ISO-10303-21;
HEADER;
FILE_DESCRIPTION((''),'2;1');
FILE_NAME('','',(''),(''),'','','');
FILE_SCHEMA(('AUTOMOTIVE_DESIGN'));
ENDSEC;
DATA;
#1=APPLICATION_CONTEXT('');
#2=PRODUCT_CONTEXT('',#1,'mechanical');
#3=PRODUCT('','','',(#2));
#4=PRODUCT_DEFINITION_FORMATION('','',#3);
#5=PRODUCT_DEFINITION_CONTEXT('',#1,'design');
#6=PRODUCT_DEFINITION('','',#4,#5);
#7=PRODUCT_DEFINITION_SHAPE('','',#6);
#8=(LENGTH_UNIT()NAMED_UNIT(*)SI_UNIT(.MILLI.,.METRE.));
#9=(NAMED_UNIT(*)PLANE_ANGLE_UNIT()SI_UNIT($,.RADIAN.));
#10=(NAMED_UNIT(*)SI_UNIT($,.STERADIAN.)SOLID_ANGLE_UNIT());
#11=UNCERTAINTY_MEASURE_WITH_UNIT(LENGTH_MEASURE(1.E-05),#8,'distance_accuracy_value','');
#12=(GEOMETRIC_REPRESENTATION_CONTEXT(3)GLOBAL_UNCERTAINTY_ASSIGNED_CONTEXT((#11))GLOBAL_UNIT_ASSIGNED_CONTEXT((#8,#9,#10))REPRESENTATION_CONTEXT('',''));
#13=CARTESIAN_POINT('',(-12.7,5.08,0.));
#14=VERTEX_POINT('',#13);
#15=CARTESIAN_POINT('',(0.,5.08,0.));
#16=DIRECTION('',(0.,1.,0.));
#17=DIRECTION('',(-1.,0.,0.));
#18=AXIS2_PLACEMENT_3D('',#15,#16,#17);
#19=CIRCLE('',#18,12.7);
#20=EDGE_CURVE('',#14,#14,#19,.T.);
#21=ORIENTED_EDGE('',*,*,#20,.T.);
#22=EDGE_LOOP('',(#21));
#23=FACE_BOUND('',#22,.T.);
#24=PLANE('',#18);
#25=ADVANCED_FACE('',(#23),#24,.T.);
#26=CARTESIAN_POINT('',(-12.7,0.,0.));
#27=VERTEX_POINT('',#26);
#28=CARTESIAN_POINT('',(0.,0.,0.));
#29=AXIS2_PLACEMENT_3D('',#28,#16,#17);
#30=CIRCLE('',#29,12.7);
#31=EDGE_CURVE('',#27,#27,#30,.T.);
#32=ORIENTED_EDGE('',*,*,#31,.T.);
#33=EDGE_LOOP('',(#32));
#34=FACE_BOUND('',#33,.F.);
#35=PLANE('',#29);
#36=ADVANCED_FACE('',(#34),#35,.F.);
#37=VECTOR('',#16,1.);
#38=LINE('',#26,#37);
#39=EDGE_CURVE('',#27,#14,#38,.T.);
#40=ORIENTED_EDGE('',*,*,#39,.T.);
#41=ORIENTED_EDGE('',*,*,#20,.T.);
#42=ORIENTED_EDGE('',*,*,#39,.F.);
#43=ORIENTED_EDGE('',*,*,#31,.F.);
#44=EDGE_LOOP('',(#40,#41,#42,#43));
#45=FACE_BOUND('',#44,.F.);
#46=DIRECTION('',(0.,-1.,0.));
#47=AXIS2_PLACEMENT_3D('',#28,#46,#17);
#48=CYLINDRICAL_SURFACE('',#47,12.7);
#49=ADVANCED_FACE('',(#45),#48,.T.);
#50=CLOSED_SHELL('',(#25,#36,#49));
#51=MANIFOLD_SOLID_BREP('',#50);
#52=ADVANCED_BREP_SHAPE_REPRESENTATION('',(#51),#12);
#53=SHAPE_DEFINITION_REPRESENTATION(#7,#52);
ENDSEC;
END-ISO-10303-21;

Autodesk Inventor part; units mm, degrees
ref_plane "YZ Plane" through (0, 0, 0) normal (1, 0, 0) x (0, 1, 0)
ref_plane "XZ Plane" through (0, 0, 0) normal (0, 1, 0) x (-1, 0, 0)
sketch "Sketch1" plane through (0, 0, 0) normal (0, 1, 0) x (-1, 0, 0)
  circle A0 centre (0, 0) radius 12.7
  point P0 (-12.7, 0)
  point P1 (0, -12.7)
  dimension "d0" = 25.4
extrude "Extrusion1" add sketch "Sketch1" along normal blind 5.08
ref_plane "Work Plane11" through (0, 0, 0) normal (-1, 0, 0) x (0, -1, 0)
ref_plane "Work Plane12" through (0, 0, 0) normal (0, 0, 1) x (0, -1, 0)
ref_plane "Work Plane13" through (0, 5.08, 0) normal (-0.7071, 0.7071, 0) x (0, 0, 1)
ref_plane "Work Plane14" through (0, 5.08, 0) normal (-0.7071, -0.7071, 0) x (0, 0, 1)
ref_plane "Work Plane15" through (0, 0, 0) normal (0, 0, 1) x (0, -1, 0)
ref_plane "Work Plane16" through (0, 0, -12.7) normal (1, 0, 0) x (0, 0, 1)
properties part number "1in_5mm_mir"
